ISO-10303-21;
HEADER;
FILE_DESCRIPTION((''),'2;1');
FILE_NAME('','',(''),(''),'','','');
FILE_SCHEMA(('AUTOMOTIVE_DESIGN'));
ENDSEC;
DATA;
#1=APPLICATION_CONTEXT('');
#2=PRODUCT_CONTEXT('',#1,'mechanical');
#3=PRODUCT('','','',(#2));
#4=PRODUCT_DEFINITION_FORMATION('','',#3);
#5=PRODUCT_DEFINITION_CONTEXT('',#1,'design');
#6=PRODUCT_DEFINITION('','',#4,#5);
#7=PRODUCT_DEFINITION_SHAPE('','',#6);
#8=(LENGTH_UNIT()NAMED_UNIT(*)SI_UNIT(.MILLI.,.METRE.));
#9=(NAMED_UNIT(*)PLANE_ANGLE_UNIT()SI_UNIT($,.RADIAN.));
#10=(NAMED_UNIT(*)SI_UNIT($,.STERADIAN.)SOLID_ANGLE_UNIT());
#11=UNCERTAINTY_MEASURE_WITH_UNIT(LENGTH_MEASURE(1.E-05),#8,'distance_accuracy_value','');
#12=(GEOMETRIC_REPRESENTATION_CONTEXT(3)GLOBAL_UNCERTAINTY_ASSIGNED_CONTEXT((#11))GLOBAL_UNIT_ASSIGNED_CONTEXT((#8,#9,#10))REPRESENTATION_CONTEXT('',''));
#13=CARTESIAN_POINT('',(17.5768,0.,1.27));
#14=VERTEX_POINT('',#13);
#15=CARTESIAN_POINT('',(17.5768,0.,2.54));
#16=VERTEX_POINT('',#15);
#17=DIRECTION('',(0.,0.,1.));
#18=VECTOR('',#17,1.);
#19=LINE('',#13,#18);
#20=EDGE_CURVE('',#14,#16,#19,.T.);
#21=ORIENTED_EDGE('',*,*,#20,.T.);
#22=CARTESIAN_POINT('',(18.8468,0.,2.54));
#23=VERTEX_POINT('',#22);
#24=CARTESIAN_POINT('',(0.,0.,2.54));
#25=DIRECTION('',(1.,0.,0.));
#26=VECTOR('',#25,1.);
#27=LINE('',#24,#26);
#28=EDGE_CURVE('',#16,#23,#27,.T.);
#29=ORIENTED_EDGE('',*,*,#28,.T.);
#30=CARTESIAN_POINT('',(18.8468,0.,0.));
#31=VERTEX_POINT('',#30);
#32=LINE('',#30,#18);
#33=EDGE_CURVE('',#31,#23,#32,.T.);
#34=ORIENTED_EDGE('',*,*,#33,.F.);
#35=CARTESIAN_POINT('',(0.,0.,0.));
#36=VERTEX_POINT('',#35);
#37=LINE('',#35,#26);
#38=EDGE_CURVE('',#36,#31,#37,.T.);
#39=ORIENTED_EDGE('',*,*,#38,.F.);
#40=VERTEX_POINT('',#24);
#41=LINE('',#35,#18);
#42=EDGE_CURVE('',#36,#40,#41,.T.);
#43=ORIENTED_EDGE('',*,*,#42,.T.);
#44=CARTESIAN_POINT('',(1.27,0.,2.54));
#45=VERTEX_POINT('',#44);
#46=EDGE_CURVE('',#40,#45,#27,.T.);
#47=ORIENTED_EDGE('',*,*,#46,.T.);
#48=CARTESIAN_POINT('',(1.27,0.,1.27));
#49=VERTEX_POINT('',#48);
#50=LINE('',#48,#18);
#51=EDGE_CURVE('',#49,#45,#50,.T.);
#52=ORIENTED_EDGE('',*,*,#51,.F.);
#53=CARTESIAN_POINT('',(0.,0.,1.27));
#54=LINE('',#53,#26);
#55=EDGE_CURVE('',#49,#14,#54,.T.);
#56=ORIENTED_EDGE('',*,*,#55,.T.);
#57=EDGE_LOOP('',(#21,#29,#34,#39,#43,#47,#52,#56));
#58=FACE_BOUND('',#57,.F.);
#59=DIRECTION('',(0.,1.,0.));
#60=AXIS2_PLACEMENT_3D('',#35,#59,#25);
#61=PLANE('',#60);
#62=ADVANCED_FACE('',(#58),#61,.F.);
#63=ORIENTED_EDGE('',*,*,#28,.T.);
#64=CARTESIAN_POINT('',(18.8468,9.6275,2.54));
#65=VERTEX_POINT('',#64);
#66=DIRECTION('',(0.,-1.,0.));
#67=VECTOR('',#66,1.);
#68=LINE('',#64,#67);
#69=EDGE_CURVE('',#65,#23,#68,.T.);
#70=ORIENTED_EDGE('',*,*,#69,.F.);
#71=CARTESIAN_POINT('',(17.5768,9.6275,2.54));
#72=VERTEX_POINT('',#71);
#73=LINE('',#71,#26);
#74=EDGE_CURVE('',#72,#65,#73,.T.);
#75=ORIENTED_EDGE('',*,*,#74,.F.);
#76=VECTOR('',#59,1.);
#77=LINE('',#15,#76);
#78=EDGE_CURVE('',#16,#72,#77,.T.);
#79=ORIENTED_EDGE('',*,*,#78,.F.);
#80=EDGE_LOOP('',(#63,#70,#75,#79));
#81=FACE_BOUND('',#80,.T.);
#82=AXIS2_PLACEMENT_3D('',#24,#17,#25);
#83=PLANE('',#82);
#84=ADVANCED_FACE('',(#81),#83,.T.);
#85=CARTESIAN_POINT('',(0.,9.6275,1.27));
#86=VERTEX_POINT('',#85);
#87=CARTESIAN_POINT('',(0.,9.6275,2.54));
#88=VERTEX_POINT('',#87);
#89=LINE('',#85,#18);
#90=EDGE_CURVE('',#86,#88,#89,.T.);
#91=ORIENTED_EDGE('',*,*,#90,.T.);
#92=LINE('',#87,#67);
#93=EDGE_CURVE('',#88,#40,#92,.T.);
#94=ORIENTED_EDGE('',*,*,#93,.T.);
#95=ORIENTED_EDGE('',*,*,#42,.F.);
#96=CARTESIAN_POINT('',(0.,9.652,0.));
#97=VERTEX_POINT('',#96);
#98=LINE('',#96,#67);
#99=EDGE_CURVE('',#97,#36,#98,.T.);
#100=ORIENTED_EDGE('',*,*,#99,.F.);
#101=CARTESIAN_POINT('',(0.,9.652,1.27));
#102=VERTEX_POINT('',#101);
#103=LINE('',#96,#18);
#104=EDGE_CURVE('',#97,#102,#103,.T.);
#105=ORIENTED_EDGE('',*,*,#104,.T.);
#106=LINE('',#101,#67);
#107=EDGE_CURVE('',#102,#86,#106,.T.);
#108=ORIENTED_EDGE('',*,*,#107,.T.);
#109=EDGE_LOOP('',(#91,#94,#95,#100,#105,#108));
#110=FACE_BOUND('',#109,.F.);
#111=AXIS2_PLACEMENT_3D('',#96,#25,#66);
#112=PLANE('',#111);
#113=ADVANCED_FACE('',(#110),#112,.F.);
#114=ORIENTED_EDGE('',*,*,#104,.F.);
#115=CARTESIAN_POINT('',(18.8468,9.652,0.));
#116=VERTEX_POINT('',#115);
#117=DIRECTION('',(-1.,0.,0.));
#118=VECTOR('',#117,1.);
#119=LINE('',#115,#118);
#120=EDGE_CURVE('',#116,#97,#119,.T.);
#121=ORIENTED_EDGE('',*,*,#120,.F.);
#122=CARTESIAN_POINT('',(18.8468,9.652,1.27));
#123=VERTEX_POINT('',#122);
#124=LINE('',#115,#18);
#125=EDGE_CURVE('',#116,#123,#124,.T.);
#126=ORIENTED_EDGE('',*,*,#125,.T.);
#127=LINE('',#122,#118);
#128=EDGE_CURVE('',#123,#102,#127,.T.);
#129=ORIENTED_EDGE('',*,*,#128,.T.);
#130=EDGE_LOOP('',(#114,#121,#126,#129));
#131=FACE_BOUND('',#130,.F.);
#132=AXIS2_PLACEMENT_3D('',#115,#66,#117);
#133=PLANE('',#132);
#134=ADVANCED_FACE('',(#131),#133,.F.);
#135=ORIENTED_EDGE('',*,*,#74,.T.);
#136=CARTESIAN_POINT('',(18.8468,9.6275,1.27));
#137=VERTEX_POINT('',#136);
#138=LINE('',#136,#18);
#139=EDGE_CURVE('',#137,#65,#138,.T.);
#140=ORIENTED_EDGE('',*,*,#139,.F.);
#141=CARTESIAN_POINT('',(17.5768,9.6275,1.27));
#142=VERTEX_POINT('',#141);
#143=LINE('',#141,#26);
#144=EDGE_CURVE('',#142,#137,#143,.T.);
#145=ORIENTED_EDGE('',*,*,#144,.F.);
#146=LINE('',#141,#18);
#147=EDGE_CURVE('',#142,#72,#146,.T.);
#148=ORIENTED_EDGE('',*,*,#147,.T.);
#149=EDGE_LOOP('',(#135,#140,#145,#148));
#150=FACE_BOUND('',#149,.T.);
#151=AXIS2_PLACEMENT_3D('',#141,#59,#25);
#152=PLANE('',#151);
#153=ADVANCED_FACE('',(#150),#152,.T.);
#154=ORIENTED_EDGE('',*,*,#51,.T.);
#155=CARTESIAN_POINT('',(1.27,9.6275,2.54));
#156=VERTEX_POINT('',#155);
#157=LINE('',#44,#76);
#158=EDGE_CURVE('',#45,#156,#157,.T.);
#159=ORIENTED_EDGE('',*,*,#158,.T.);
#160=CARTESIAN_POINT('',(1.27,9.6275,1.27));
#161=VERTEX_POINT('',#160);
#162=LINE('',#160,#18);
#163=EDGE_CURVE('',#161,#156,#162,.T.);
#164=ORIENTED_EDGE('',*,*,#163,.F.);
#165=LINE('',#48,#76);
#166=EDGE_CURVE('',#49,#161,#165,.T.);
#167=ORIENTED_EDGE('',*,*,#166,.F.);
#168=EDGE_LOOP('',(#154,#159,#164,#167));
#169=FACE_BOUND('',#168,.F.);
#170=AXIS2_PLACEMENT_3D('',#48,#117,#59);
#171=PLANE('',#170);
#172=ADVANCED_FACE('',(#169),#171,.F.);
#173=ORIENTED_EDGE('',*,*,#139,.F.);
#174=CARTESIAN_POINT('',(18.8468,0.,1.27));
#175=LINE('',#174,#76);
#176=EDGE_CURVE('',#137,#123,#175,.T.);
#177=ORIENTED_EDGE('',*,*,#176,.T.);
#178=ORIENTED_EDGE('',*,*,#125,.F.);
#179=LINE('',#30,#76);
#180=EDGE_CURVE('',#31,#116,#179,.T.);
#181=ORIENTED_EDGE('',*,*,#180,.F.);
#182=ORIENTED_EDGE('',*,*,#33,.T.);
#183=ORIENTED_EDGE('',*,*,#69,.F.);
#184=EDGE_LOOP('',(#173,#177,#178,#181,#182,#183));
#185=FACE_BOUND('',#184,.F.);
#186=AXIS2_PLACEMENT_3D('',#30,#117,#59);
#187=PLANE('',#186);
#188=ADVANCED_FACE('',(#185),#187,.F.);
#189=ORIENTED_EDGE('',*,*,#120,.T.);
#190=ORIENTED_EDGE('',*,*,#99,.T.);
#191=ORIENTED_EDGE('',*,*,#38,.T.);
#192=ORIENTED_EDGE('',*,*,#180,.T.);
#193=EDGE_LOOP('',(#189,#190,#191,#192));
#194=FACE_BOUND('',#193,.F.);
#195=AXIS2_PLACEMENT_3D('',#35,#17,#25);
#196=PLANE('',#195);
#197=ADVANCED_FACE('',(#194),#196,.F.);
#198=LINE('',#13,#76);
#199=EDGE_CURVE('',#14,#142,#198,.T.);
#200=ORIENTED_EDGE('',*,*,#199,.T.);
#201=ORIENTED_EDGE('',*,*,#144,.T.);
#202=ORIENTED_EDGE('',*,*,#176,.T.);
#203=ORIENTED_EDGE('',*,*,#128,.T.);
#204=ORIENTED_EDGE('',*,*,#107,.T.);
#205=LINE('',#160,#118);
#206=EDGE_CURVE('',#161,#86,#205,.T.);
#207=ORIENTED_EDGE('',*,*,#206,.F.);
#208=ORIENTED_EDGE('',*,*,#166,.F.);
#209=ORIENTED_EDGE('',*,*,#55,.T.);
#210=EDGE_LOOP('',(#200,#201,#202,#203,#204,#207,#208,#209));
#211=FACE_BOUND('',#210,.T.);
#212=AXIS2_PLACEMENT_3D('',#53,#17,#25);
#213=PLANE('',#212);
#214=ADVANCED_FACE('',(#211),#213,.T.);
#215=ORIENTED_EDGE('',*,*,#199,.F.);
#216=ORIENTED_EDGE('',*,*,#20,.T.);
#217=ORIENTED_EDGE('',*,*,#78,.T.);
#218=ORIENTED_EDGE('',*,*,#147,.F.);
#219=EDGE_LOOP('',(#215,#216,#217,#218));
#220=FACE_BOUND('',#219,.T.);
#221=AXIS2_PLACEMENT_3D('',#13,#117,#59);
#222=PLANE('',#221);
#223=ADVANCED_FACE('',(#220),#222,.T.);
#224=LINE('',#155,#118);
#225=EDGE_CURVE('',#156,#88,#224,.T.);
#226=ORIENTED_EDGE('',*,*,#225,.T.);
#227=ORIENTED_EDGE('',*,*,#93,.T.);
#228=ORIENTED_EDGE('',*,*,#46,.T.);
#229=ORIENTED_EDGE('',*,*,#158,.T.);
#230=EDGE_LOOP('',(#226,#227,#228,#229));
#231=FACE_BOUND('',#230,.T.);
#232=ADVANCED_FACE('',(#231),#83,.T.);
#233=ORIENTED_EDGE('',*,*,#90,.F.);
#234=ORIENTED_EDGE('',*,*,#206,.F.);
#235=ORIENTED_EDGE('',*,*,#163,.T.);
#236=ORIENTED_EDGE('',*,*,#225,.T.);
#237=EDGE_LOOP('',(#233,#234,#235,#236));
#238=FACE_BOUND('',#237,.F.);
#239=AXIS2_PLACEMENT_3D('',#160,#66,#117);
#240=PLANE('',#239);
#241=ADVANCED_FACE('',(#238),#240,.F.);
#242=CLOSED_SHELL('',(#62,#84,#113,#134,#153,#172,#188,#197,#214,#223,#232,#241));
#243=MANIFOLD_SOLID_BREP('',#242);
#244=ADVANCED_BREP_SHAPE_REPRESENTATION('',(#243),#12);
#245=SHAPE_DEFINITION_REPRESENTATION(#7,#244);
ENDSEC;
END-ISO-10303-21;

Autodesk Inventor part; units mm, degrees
ref_plane "YZ Plane" through (0, 0, 0) normal (1, 0, 0) x (0, 1, 0)
ref_plane "XZ Plane" through (0, 0, 0) normal (0, 1, 0) x (-1, 0, 0)
ref_plane "XY Plane" through (0, 0, 0) normal (0, 0, 1) x (1, 0, 0)
sketch "Sketch1" plane through (0, 0, 0) normal (0, 0, 1) x (1, 0, 0)
  line L0 (0, 0) -> (18.8468, 0)
  line L1 (18.8468, 0) -> (18.8468, 9.652)
  line L2 (18.8468, 9.652) -> (0, 9.652)
  line L3 (0, 9.652) -> (0, 0)
  dimension "d0" = 18.8468
  dimension "d1" = 9.652
extrude "Extrusion1" add sketch "Sketch1" along normal blind 1.27
sketch "Sketch2" plane through (0, 0, 1.27) normal (0, 0, 1) x (1, 0, 0)
  line L0 (0, 0) -> (18.8468, 0) projected
  line L1 (0, 0) -> (1.27, 0)
  line L2 (1.27, 0) -> (1.27, 9.6275)
  line L3 (1.27, 9.6275) -> (0, 9.6275)
  line L4 (0, 9.6275) -> (0, 0)
  line L5 (18.8468, 0) -> (17.5768, 0)
  line L6 (17.5768, 0) -> (17.5768, 9.6275)
  line L7 (17.5768, 9.6275) -> (18.8468, 9.6275)
  line L8 (18.8468, 9.6275) -> (18.8468, 0)
  dimension "d4" = 1.27
extrude "Extrusion2" add sketch "Sketch2" along normal blind 1.27
properties part number "BatteryBalanceConnectorCover"
